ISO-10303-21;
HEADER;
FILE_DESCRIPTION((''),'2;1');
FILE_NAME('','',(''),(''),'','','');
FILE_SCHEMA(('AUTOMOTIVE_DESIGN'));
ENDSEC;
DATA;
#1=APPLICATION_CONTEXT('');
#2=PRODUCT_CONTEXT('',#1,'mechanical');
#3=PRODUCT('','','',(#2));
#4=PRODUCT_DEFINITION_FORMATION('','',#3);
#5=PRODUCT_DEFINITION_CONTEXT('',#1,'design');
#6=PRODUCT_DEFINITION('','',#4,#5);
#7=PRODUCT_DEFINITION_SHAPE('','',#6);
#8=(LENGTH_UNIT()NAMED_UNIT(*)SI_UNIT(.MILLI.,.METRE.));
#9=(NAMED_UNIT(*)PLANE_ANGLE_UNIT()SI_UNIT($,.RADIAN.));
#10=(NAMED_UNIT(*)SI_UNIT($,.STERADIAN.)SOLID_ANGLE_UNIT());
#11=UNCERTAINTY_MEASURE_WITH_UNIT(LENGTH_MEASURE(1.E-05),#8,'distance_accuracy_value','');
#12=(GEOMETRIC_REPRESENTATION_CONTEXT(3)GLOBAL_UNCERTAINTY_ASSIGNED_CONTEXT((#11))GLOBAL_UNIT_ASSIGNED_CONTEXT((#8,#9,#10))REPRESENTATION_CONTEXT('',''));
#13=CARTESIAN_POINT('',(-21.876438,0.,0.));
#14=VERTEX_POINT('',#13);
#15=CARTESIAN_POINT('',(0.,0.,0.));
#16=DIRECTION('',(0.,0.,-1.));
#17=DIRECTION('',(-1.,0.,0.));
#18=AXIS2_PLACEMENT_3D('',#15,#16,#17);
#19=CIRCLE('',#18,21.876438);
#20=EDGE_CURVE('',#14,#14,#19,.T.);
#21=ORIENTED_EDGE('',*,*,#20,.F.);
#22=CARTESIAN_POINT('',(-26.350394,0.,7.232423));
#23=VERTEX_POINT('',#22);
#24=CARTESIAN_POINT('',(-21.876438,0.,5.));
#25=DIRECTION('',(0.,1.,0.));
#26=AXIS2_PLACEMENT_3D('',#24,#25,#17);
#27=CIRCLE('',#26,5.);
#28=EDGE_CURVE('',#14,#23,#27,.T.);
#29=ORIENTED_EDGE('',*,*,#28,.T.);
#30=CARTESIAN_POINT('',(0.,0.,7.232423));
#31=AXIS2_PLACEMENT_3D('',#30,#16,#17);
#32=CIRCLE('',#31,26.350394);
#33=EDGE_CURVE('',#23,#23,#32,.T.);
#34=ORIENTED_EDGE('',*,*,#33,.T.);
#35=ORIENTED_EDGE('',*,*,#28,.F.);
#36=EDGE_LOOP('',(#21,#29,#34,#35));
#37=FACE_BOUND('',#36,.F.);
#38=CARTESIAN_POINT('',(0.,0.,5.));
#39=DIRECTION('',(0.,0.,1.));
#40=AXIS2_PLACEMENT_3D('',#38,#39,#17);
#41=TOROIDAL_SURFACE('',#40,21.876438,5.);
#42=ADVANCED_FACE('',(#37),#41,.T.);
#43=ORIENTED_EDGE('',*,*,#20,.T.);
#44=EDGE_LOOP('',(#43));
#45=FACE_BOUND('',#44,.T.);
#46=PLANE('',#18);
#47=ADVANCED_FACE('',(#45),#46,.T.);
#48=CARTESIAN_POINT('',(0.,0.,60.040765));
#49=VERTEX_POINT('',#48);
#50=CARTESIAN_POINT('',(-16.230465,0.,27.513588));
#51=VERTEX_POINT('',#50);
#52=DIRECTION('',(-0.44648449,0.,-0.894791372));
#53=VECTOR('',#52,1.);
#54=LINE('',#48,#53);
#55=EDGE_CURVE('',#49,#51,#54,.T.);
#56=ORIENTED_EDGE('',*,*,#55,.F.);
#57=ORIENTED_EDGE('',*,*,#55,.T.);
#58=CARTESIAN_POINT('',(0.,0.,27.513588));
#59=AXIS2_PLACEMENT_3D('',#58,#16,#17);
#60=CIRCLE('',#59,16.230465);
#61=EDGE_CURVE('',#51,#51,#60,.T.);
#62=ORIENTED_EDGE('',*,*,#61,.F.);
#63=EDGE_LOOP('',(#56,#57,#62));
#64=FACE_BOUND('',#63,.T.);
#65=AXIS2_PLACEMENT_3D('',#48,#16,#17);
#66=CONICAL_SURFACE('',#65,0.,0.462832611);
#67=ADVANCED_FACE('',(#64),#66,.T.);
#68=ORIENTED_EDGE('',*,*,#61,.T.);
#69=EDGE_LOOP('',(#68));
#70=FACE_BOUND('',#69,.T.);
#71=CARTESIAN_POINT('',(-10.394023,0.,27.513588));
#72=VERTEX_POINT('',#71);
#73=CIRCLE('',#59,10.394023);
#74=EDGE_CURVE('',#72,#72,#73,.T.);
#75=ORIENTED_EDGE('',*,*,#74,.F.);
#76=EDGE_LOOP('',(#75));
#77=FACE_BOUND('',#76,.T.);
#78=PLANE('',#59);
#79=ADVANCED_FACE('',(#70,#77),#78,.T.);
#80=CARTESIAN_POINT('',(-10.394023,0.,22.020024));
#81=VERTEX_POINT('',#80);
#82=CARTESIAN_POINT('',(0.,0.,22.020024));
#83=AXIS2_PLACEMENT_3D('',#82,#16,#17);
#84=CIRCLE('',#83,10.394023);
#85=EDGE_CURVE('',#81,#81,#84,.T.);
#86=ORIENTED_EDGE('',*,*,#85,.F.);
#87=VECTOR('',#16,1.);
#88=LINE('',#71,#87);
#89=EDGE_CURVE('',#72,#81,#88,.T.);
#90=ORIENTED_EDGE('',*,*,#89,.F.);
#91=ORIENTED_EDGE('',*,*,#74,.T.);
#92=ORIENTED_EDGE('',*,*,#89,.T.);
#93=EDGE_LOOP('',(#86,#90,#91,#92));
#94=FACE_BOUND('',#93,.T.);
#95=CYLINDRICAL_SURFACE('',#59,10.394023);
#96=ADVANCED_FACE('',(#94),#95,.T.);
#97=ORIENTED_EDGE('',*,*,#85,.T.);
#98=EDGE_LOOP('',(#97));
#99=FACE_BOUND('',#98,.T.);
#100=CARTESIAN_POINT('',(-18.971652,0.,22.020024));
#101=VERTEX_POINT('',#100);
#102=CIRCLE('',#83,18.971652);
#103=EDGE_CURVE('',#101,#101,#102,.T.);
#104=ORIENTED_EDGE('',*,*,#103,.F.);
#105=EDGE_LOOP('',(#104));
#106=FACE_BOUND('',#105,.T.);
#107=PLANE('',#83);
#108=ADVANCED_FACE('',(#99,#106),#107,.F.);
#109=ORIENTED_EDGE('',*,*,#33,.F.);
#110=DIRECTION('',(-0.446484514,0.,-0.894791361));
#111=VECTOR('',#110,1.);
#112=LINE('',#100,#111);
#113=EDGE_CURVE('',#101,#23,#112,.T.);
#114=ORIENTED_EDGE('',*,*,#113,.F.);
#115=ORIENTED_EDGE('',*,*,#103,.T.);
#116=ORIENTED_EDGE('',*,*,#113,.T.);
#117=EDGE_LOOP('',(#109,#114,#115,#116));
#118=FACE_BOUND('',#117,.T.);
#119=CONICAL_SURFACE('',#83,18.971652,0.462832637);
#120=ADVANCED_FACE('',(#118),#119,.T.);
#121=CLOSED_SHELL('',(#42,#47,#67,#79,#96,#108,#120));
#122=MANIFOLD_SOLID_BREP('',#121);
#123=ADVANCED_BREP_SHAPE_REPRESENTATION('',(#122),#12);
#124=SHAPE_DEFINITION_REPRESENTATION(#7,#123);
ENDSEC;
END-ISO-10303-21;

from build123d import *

# Parameters (mm, degrees)
F3_R = 5


with BuildPart() as f2:
    # F0 (on Front) → F2 (revolve)
    with BuildSketch(Plane.XZ):
        Polygon((-29.959241, 0), (0, 0), (0, 60.040765), (-16.230465, 27.513588), (-10.394023, 27.513588), (-10.394023, 22.020024), (-18.971652, 22.020024), align=None)
    revolve(axis=Axis((0, 0, 23.967392), (0, 0, -1)))

    # F3
    f3_edges = [f2.edges().sort_by_distance(p)[0] for p in [
        (29.959241, 0, 0),
    ]]
    fillet(f3_edges, radius=F3_R)


solid = f2.part
